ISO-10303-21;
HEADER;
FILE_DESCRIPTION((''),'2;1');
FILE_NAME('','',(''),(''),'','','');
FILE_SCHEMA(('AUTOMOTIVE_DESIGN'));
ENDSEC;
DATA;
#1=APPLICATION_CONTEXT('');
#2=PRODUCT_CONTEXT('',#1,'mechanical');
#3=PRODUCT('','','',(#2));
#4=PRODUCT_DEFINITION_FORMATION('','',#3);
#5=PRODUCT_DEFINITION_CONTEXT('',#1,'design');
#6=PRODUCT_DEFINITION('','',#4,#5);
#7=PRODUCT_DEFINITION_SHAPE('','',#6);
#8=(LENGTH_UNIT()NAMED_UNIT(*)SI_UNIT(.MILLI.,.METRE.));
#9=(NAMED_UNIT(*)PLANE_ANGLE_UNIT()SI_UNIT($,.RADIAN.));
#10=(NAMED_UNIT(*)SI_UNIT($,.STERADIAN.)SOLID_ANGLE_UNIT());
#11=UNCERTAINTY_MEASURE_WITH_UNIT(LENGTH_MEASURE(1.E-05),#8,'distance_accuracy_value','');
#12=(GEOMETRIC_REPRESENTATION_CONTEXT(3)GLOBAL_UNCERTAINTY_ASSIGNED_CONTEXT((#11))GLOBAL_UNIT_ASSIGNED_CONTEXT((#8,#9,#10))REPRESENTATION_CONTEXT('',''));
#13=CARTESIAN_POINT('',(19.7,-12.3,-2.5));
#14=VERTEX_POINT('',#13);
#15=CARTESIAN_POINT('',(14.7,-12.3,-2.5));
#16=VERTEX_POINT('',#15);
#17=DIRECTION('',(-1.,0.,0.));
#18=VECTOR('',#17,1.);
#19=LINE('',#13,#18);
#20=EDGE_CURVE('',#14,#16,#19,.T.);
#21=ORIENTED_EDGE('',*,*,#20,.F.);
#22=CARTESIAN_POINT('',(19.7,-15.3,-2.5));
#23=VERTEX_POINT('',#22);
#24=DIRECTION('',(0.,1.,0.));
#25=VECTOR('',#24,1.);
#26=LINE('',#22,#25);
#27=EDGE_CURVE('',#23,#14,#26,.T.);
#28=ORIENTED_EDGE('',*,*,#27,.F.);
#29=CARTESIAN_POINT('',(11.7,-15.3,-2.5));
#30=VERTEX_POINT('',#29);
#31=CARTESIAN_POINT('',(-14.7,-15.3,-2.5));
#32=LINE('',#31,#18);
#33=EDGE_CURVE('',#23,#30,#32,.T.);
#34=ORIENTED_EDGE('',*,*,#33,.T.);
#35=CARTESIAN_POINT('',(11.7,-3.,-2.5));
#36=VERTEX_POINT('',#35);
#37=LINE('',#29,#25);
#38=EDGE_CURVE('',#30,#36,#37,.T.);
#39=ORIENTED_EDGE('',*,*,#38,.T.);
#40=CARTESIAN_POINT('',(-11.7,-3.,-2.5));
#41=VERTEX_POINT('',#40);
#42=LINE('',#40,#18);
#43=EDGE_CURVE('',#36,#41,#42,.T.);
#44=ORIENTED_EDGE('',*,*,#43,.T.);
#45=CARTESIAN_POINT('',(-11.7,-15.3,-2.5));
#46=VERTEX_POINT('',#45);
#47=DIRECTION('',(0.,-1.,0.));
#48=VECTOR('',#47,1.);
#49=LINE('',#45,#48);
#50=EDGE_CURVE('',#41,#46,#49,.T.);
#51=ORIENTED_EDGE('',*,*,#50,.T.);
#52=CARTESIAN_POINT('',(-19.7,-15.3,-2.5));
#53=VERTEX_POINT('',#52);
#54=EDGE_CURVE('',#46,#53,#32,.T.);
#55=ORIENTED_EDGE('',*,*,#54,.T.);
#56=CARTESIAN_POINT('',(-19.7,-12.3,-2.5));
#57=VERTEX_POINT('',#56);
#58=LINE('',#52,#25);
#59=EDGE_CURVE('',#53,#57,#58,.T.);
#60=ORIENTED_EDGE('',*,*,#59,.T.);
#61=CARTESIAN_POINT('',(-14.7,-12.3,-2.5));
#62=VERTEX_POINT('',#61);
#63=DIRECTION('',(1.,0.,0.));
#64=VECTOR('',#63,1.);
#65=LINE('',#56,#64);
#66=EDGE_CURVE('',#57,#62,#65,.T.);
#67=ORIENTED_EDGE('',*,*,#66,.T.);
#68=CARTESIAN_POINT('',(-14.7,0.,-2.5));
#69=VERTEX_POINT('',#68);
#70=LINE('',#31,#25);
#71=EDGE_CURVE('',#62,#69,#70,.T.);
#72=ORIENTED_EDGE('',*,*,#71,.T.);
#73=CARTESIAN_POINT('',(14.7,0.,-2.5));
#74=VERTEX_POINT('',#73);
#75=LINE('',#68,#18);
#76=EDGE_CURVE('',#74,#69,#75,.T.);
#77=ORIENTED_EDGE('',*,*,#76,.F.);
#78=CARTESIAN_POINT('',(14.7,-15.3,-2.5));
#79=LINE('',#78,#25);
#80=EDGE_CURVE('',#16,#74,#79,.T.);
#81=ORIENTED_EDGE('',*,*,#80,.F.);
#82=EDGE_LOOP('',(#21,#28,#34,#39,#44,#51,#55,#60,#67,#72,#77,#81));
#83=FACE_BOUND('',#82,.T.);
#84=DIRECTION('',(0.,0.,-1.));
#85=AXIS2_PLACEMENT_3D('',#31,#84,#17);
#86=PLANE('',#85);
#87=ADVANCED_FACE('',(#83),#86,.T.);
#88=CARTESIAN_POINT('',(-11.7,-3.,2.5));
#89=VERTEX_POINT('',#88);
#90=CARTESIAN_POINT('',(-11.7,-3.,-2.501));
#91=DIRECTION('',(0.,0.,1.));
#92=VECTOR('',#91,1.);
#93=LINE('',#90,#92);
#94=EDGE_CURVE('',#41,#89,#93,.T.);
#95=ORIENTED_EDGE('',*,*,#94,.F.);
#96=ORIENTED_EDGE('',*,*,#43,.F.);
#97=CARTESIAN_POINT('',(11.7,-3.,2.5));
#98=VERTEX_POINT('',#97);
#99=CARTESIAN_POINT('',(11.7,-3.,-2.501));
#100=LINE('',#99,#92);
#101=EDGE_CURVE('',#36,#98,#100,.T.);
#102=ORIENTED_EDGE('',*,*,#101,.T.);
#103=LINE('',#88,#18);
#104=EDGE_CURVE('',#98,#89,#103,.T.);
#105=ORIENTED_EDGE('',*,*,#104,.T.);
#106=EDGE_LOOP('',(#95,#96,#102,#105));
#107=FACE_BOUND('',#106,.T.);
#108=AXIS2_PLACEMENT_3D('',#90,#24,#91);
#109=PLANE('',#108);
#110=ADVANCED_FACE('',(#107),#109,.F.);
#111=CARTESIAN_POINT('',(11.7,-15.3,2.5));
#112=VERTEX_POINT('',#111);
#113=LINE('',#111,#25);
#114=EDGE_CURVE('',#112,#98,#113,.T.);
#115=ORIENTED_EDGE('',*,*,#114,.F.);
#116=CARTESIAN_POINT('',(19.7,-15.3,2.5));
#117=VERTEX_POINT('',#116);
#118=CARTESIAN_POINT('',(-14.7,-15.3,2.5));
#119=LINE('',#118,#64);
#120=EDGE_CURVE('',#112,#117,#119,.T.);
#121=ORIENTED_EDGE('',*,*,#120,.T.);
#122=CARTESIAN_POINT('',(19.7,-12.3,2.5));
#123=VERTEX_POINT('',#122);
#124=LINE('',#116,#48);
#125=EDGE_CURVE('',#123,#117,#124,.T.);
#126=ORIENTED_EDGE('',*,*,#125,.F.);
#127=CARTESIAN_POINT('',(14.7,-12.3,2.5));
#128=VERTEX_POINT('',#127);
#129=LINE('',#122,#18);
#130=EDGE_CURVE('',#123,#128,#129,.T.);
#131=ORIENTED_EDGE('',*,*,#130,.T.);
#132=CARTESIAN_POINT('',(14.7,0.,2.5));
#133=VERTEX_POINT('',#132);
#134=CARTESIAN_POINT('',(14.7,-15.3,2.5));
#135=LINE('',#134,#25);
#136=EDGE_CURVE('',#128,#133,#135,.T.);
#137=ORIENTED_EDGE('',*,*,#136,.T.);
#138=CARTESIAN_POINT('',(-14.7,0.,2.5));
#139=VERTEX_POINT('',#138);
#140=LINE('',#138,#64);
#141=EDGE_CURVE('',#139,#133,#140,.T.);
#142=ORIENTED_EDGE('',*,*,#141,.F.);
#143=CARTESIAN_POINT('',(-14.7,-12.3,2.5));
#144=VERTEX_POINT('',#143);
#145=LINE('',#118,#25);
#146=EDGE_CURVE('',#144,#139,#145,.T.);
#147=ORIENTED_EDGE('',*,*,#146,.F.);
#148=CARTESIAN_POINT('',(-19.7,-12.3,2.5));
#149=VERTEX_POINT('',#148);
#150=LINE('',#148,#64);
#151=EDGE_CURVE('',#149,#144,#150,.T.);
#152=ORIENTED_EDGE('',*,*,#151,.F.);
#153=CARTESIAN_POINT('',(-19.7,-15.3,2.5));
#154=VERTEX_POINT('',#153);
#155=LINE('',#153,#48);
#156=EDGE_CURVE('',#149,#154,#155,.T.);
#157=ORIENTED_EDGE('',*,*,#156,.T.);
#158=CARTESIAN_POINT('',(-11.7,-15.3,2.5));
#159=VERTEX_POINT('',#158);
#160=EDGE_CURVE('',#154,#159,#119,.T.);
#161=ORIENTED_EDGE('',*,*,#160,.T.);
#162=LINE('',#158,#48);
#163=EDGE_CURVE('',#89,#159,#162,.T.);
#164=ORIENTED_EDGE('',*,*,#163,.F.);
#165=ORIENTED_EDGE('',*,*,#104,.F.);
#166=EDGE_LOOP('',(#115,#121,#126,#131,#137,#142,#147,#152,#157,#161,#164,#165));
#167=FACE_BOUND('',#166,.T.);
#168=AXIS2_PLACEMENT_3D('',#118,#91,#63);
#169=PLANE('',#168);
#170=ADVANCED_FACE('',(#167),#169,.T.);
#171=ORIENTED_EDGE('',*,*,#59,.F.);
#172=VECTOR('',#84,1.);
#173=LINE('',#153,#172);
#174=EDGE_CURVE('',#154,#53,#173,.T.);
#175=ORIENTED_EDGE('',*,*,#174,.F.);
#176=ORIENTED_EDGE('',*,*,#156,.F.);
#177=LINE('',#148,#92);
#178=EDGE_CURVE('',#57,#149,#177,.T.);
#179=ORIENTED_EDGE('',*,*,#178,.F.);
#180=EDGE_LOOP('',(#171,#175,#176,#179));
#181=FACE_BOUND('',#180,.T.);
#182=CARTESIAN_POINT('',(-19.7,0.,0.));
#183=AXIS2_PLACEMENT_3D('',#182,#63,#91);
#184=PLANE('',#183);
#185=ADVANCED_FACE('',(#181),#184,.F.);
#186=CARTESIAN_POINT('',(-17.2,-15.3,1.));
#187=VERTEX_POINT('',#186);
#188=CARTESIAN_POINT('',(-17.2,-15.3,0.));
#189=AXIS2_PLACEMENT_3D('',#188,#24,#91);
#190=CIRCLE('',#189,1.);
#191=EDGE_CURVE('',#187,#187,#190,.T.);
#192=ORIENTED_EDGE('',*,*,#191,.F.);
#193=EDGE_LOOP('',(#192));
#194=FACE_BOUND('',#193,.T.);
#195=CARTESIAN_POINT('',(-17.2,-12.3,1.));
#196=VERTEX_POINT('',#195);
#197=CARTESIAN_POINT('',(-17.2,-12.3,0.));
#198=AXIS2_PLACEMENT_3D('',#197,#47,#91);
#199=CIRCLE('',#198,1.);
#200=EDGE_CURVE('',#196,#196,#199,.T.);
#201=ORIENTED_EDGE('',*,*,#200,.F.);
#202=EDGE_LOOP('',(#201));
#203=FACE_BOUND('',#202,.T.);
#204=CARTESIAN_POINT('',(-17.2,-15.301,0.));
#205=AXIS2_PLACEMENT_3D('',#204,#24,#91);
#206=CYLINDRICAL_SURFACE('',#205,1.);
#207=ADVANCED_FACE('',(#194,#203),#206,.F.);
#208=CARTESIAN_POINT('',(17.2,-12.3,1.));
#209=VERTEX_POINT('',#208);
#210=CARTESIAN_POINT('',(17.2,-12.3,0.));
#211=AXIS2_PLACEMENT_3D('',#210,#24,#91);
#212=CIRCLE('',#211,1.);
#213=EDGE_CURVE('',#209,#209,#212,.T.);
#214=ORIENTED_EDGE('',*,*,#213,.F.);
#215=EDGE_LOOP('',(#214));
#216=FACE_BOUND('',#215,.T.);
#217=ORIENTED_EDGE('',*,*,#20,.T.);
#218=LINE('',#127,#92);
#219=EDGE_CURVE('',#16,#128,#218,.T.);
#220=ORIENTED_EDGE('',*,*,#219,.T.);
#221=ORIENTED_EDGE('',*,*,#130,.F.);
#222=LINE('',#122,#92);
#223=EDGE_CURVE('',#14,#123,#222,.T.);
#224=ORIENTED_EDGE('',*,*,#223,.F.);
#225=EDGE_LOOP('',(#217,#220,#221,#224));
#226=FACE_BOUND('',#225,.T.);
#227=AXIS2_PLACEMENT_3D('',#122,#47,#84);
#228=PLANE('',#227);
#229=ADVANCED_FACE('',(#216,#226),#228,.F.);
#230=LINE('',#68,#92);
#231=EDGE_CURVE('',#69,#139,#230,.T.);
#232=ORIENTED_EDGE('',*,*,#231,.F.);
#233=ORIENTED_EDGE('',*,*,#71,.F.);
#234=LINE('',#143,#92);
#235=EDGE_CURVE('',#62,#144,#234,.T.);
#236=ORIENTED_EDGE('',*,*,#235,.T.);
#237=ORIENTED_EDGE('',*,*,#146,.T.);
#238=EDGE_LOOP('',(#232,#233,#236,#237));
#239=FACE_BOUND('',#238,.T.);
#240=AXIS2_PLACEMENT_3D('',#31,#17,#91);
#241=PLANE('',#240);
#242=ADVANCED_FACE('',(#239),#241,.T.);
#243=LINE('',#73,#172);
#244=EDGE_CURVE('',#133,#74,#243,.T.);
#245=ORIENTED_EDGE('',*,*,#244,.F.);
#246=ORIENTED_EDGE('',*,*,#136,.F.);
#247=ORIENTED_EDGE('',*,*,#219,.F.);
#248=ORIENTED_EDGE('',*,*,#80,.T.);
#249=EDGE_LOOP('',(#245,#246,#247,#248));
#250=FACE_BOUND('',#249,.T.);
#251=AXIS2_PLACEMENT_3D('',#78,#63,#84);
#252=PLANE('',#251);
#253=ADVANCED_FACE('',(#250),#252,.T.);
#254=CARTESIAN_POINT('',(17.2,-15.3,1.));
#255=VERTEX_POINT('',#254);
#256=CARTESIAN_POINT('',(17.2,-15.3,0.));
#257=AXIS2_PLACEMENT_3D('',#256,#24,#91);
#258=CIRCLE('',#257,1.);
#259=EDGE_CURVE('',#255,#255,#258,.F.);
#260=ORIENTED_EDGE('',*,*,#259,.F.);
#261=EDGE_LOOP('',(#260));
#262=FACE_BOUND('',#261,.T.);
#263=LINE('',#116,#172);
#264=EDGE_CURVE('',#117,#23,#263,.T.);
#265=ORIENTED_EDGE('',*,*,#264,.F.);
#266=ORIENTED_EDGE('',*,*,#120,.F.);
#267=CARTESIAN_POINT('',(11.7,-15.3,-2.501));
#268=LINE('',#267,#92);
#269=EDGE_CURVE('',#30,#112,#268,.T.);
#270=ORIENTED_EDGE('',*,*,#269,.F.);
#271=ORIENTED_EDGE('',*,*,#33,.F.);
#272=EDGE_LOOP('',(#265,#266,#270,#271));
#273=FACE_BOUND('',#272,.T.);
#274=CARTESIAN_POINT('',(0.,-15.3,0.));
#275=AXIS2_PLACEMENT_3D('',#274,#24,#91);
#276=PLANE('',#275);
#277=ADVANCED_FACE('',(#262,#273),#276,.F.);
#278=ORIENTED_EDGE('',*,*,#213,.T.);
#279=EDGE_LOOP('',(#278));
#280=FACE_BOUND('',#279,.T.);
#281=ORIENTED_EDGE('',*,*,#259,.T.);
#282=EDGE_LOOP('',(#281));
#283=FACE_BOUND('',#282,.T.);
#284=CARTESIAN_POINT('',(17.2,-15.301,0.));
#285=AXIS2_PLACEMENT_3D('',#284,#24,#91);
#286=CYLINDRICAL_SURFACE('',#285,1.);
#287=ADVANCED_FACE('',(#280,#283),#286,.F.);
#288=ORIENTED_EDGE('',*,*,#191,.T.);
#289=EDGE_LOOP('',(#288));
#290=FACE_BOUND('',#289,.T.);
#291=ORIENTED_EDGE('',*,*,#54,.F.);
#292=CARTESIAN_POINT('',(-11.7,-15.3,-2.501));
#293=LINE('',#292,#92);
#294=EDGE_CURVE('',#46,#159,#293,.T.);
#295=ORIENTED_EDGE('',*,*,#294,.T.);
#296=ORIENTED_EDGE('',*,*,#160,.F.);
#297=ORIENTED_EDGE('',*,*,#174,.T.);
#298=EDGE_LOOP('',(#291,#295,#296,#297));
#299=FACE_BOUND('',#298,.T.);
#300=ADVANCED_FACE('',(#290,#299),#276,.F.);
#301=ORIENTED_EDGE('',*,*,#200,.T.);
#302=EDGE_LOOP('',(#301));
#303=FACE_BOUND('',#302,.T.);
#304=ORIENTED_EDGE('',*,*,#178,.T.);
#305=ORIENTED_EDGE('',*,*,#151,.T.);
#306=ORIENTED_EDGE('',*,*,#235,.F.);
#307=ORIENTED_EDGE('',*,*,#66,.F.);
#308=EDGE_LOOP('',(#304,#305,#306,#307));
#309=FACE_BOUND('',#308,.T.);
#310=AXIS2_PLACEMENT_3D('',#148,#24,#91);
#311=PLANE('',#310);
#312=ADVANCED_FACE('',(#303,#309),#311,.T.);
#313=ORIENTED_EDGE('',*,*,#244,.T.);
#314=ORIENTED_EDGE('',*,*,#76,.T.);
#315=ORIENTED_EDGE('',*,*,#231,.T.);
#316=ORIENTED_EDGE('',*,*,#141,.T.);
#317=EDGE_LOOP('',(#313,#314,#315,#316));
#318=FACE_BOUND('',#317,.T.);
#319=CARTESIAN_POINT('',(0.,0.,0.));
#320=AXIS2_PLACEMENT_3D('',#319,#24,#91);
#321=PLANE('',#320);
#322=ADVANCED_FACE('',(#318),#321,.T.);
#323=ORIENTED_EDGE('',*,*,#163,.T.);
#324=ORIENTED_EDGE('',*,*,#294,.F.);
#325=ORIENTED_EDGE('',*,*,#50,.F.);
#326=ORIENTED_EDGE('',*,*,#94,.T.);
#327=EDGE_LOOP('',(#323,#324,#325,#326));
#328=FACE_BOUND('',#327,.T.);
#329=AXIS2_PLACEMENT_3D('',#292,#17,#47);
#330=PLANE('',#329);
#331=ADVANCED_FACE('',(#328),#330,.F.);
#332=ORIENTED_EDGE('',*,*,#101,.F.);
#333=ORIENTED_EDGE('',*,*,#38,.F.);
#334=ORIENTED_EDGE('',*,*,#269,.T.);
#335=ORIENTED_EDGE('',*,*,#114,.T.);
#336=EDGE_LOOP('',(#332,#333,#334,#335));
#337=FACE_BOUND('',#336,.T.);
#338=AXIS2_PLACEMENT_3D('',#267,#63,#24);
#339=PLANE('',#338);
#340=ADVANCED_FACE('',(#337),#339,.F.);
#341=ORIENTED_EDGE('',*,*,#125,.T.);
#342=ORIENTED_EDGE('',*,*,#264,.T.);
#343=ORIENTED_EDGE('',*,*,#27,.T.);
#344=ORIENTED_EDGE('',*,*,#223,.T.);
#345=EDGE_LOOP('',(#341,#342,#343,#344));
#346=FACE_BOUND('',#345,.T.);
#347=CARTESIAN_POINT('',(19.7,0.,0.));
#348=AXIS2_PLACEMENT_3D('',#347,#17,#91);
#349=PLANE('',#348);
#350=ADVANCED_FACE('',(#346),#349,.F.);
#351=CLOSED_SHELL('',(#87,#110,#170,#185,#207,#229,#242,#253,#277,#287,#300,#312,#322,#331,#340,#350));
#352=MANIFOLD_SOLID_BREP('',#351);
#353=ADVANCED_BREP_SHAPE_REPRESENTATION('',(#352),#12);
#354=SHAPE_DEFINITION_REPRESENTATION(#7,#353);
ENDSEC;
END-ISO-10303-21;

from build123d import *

# Parameters (mm, degrees)
SKETCH1_W           = 29.4
SKETCH1_H           = 5
BOSS_EXTRUDE1_DEPTH = 15.3
CUT_EXTRUDE2_REACH  = 23.799
SKETCH4_W           = 23.4
SKETCH4_H           = 12.3
SKETCH5_W           = 5
SKETCH5_H           = 3
BOSS_EXTRUDE3_DEPTH = 5
CUT_EXTRUDE3_REACH  = 25.359
SKETCH6_R           = 1


with BuildPart() as part:
    # Sketch1 → Boss-Extrude1 (new body)
    with BuildSketch(Plane(origin=(0, 0, 0), x_dir=(1, 0, 0), z_dir=(0, 1, 0))):
        Rectangle(SKETCH1_W, SKETCH1_H)
    extrude(amount=-BOSS_EXTRUDE1_DEPTH)

    # Sketch4 → Cut-Extrude2 (cut, up to next)
    with BuildSketch(Plane.XY.offset(2.5), mode=Mode.PRIVATE) as cut_extrude2_sk1:
        with Locations((0, -9.15)):
            Rectangle(SKETCH4_W, SKETCH4_H)
    cut_extrude2_tool1 = extrude(cut_extrude2_sk1.sketch, amount=-CUT_EXTRUDE2_REACH, mode=Mode.PRIVATE) & part.part
    add(cut_extrude2_tool1.solids().sort_by_distance((0, -9.15, 2.5))[0], mode=Mode.SUBTRACT)

    # Sketch5 → Boss-Extrude3 (add)
    with BuildSketch(Plane(origin=(14.7, 0, 0), x_dir=(0, 0, -1), z_dir=(1, 0, 0))):
        with Locations((0, -13.8)):
            Rectangle(SKETCH5_W, SKETCH5_H)
    boss_extrude3 = extrude(amount=BOSS_EXTRUDE3_DEPTH)

    # Sketch6 → Cut-Extrude3 (cut, up to next)
    with BuildSketch(Plane(origin=(0, -12.3, 0), x_dir=(1, 0, 0), z_dir=(0, 1, 0)), mode=Mode.PRIVATE) as cut_extrude3_sk1:
        with Locations(Location((17.2, 0, 0), (0, 0, 270))):
            Circle(SKETCH6_R)
    cut_extrude3_tool1 = extrude(cut_extrude3_sk1.sketch, amount=-CUT_EXTRUDE3_REACH, mode=Mode.PRIVATE) & part.part
    cut_extrude3 = cut_extrude3_tool1.solids().sort_by_distance((17.2, -12.3, 0))[0]
    add(cut_extrude3, mode=Mode.SUBTRACT)

    # Mirror2: Boss-Extrude3, Cut-Extrude3 across plane
    add(boss_extrude3.mirror(Plane(origin=(0, 0, 0), x_dir=(0, 0, 1), z_dir=(1, 0, 0))))
    add(cut_extrude3.mirror(Plane(origin=(0, 0, 0), x_dir=(0, 0, 1), z_dir=(1, 0, 0))), mode=Mode.SUBTRACT)


solid = part.part
